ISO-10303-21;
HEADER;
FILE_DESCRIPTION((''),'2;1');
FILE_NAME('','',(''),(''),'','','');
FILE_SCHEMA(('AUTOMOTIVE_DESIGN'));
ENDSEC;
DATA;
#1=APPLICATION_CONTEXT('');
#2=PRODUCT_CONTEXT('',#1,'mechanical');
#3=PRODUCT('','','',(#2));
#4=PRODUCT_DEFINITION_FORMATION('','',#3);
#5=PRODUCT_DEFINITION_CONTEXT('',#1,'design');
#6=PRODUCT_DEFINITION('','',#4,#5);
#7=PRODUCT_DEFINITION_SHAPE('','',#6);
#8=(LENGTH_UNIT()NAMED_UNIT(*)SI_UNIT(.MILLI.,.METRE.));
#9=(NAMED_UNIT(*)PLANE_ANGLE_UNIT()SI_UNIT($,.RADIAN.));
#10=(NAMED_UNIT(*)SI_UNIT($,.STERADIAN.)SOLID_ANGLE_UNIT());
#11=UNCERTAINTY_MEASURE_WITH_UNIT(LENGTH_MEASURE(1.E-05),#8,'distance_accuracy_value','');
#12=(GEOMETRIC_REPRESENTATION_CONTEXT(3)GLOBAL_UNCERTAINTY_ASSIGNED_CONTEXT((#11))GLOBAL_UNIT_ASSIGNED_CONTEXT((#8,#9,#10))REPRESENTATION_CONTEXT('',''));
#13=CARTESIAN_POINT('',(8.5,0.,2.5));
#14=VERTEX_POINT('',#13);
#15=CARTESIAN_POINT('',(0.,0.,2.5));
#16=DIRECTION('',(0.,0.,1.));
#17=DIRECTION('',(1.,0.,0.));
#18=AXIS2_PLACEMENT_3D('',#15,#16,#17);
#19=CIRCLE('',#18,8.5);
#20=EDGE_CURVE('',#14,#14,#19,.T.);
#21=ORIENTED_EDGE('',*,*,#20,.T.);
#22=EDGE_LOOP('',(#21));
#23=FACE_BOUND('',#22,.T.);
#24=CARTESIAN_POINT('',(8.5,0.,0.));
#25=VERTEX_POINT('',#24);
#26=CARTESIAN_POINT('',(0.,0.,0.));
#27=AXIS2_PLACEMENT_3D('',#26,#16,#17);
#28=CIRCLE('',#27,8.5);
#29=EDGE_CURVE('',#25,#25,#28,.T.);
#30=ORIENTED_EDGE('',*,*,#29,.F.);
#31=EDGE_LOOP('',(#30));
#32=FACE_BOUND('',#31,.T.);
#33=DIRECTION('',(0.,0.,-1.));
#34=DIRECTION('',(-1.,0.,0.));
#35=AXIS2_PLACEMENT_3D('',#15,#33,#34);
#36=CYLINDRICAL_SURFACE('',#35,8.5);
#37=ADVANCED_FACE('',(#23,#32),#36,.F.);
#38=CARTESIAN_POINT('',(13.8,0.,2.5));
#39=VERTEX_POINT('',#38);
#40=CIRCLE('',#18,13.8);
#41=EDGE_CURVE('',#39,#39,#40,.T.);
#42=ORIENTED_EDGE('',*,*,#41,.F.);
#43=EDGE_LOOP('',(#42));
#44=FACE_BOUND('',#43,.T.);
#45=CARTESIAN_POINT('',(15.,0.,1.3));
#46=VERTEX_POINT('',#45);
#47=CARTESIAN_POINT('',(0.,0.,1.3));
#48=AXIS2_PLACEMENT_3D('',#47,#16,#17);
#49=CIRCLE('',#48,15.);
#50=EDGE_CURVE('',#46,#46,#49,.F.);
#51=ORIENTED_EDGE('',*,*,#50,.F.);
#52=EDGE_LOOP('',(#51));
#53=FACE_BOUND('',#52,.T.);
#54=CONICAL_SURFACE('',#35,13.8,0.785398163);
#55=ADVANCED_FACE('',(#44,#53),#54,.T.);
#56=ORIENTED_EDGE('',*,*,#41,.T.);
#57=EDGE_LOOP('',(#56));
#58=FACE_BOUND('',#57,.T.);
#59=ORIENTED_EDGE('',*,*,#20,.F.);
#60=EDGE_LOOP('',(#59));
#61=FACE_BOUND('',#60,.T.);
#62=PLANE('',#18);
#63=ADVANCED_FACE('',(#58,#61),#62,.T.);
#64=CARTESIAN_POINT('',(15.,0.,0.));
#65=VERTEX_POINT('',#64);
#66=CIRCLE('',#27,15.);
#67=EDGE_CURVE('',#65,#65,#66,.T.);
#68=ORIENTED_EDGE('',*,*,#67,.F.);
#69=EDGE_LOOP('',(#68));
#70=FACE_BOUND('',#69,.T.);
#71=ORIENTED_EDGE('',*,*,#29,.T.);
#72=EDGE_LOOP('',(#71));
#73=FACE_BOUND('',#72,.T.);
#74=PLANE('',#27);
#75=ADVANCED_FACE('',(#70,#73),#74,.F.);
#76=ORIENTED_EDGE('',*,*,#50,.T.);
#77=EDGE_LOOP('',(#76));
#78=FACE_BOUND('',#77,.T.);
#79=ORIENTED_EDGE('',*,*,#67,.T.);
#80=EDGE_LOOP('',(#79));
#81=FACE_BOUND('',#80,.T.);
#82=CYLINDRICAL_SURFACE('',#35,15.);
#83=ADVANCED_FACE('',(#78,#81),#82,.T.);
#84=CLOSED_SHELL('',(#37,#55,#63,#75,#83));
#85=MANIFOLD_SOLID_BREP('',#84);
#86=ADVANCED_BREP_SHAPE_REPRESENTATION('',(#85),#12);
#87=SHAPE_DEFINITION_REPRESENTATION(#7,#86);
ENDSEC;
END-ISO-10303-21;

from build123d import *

# Parameters (mm, degrees)
SKETCH_1_R      = 15
SKETCH_1_R_2    = 8.5
EXTRUDE_1_DEPTH = 2.5
CHAMFER_1_SIZE  = 1.2


with BuildPart() as part:
    # Эскиз1 → Бобышка-Вытянуть1 (new body)
    with BuildSketch(Plane.XY):
        Circle(SKETCH_1_R)
        Circle(SKETCH_1_R_2, mode=Mode.SUBTRACT)
    extrude(amount=EXTRUDE_1_DEPTH)

    # Фаска1
    chamfer_1_edges = [part.edges().sort_by_distance(p)[0] for p in [
        (-15, 0, 2.5),
    ]]
    chamfer(chamfer_1_edges, length=CHAMFER_1_SIZE)


solid = part.part
